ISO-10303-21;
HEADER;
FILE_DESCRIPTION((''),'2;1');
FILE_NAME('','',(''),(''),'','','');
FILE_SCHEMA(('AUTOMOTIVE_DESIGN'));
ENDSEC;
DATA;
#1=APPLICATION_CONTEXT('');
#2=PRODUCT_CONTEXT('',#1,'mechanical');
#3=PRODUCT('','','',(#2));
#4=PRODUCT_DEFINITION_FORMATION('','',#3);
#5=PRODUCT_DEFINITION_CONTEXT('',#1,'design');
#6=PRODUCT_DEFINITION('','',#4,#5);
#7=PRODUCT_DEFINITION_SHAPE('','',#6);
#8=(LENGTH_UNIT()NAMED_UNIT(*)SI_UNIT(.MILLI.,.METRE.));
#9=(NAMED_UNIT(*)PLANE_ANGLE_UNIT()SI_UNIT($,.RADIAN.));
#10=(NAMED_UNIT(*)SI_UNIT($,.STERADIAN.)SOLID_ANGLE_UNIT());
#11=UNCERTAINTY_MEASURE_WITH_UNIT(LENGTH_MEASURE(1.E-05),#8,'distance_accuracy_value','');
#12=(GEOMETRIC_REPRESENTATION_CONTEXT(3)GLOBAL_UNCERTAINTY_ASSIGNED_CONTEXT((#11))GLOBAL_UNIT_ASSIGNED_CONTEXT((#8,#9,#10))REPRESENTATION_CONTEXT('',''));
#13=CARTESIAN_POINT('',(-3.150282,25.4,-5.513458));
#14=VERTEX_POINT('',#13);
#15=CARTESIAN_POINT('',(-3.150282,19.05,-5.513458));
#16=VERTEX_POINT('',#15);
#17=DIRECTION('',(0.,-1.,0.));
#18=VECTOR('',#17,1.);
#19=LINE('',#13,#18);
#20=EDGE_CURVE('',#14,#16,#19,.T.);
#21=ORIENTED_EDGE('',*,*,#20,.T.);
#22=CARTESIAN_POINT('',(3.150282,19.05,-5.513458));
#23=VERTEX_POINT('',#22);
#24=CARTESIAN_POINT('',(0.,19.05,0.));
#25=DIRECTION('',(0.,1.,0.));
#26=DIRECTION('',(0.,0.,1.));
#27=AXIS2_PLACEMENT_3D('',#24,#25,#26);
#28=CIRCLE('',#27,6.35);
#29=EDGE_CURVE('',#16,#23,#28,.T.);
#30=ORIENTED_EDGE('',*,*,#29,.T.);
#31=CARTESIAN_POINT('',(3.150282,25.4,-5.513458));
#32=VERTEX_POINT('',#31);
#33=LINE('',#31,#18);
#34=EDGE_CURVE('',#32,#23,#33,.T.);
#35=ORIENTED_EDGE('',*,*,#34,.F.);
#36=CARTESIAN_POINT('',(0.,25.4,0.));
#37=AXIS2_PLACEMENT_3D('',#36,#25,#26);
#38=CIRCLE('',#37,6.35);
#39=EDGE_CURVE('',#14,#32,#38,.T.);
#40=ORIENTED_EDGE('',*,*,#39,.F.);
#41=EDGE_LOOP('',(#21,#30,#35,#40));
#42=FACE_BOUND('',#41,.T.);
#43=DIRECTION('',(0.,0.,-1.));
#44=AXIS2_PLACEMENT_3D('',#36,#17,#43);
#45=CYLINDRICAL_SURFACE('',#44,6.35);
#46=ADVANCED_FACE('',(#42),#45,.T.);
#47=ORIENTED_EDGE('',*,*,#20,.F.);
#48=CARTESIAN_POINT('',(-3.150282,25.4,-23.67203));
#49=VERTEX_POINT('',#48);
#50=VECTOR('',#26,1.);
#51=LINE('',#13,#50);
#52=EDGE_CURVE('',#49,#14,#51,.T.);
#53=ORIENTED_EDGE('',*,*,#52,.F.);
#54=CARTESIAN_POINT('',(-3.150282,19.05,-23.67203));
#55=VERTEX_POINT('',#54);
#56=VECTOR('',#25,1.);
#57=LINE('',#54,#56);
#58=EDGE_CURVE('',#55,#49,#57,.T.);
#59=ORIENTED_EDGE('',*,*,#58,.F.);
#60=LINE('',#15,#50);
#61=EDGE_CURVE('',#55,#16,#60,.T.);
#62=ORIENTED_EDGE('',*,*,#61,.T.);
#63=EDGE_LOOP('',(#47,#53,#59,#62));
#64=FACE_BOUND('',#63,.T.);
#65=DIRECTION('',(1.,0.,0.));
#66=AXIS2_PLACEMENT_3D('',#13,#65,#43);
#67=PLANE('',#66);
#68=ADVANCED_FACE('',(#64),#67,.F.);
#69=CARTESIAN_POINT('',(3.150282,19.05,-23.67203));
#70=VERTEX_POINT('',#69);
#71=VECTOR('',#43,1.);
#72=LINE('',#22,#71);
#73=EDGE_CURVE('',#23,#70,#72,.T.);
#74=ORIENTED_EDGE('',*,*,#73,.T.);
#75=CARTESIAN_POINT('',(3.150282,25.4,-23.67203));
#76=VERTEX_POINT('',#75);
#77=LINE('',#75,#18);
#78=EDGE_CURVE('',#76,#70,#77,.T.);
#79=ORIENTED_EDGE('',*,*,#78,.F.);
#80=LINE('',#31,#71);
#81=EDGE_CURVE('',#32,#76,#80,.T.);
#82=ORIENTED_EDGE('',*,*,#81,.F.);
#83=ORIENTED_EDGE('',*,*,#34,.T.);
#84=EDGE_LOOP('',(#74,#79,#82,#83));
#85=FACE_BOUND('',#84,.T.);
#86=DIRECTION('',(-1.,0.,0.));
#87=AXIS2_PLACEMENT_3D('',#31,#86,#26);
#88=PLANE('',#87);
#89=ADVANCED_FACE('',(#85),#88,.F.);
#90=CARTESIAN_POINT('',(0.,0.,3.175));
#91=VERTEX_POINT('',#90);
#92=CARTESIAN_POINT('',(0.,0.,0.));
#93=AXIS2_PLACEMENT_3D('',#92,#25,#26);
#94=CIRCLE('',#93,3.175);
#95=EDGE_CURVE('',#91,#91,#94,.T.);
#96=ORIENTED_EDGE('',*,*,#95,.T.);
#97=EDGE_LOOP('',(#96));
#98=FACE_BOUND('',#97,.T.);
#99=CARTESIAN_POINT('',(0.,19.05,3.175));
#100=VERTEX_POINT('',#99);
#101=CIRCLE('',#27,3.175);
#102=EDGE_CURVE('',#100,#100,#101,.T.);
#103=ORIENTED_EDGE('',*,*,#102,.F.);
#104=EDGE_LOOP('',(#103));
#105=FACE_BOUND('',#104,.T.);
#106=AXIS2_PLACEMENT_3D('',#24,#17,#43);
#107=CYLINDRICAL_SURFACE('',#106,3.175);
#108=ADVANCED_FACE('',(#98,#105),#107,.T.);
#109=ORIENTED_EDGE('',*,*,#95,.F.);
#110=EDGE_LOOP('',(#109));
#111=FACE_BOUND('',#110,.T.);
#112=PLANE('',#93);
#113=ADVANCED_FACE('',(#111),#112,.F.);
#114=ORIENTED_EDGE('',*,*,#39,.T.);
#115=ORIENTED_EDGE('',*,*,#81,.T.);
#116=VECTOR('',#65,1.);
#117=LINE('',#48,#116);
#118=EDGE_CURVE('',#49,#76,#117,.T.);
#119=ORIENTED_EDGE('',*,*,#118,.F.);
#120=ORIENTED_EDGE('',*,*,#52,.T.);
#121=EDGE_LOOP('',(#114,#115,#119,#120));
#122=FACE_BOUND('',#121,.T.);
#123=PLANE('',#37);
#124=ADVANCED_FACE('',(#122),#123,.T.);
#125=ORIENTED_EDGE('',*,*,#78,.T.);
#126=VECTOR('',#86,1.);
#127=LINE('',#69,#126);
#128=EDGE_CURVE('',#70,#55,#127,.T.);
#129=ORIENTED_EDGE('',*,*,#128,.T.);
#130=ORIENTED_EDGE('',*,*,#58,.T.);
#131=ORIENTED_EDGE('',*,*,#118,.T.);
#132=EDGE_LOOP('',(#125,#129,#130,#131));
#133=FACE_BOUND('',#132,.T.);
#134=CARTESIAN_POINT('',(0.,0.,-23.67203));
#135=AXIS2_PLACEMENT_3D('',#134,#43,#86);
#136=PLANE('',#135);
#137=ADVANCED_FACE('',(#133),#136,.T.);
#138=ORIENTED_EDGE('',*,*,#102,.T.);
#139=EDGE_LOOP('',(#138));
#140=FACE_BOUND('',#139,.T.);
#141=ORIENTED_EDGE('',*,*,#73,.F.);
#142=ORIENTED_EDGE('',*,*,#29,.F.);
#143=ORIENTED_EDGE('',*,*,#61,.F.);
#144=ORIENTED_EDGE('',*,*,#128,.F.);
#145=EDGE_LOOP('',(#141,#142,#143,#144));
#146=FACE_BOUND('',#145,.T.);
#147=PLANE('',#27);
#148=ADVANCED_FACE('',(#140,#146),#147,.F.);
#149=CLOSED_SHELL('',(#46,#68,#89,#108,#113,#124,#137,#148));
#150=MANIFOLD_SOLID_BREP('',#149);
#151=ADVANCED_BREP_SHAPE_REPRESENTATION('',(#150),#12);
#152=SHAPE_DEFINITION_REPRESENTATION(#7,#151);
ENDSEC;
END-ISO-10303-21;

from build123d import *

# Parameters (mm, degrees)
SKETCH1_R           = 3.175
BOSS_EXTRUDE1_DEPTH = 19.05
BOSS_EXTRUDE2_DEPTH = 6.35
SKETCH4_W           = 6.30056433
SKETCH4_H           = 6.35
BOSS_EXTRUDE3_DEPTH = 14.986


with BuildPart() as part:
    # Sketch1 → Boss-Extrude1 (new body)
    with BuildSketch(Plane(origin=(0, 0, 0), x_dir=(1, 0, 0), z_dir=(0, 1, 0))):
        Circle(SKETCH1_R)
    extrude(amount=BOSS_EXTRUDE1_DEPTH)

    # Sketch3 → Boss-Extrude2 (add)
    with BuildSketch(Plane(origin=(0, 19.05, 0), x_dir=(1, 0, 0), z_dir=(0, 1, 0))):
        with BuildLine():
            Line((3.150282165, 5.513458287), (3.150282165, 8.686029988))
            Line((3.150282165, 8.686029988), (-3.150282165, 8.686029988))
            Line((-3.150282165, 8.686029988), (-3.150282165, 5.513458287))
            ThreePointArc((-3.150282165, 5.513458287), (0, -6.35), (3.150282165, 5.513458287))
        make_face()
    extrude(amount=BOSS_EXTRUDE2_DEPTH)

    # Sketch4 → Boss-Extrude3 (add)
    with BuildSketch(Plane(origin=(0, 0, -8.686029988), x_dir=(-1, 0, 0), z_dir=(0, 0, -1))):
        with Locations((0, 22.225)):
            Rectangle(SKETCH4_W, SKETCH4_H)
    extrude(amount=BOSS_EXTRUDE3_DEPTH)


solid = part.part
